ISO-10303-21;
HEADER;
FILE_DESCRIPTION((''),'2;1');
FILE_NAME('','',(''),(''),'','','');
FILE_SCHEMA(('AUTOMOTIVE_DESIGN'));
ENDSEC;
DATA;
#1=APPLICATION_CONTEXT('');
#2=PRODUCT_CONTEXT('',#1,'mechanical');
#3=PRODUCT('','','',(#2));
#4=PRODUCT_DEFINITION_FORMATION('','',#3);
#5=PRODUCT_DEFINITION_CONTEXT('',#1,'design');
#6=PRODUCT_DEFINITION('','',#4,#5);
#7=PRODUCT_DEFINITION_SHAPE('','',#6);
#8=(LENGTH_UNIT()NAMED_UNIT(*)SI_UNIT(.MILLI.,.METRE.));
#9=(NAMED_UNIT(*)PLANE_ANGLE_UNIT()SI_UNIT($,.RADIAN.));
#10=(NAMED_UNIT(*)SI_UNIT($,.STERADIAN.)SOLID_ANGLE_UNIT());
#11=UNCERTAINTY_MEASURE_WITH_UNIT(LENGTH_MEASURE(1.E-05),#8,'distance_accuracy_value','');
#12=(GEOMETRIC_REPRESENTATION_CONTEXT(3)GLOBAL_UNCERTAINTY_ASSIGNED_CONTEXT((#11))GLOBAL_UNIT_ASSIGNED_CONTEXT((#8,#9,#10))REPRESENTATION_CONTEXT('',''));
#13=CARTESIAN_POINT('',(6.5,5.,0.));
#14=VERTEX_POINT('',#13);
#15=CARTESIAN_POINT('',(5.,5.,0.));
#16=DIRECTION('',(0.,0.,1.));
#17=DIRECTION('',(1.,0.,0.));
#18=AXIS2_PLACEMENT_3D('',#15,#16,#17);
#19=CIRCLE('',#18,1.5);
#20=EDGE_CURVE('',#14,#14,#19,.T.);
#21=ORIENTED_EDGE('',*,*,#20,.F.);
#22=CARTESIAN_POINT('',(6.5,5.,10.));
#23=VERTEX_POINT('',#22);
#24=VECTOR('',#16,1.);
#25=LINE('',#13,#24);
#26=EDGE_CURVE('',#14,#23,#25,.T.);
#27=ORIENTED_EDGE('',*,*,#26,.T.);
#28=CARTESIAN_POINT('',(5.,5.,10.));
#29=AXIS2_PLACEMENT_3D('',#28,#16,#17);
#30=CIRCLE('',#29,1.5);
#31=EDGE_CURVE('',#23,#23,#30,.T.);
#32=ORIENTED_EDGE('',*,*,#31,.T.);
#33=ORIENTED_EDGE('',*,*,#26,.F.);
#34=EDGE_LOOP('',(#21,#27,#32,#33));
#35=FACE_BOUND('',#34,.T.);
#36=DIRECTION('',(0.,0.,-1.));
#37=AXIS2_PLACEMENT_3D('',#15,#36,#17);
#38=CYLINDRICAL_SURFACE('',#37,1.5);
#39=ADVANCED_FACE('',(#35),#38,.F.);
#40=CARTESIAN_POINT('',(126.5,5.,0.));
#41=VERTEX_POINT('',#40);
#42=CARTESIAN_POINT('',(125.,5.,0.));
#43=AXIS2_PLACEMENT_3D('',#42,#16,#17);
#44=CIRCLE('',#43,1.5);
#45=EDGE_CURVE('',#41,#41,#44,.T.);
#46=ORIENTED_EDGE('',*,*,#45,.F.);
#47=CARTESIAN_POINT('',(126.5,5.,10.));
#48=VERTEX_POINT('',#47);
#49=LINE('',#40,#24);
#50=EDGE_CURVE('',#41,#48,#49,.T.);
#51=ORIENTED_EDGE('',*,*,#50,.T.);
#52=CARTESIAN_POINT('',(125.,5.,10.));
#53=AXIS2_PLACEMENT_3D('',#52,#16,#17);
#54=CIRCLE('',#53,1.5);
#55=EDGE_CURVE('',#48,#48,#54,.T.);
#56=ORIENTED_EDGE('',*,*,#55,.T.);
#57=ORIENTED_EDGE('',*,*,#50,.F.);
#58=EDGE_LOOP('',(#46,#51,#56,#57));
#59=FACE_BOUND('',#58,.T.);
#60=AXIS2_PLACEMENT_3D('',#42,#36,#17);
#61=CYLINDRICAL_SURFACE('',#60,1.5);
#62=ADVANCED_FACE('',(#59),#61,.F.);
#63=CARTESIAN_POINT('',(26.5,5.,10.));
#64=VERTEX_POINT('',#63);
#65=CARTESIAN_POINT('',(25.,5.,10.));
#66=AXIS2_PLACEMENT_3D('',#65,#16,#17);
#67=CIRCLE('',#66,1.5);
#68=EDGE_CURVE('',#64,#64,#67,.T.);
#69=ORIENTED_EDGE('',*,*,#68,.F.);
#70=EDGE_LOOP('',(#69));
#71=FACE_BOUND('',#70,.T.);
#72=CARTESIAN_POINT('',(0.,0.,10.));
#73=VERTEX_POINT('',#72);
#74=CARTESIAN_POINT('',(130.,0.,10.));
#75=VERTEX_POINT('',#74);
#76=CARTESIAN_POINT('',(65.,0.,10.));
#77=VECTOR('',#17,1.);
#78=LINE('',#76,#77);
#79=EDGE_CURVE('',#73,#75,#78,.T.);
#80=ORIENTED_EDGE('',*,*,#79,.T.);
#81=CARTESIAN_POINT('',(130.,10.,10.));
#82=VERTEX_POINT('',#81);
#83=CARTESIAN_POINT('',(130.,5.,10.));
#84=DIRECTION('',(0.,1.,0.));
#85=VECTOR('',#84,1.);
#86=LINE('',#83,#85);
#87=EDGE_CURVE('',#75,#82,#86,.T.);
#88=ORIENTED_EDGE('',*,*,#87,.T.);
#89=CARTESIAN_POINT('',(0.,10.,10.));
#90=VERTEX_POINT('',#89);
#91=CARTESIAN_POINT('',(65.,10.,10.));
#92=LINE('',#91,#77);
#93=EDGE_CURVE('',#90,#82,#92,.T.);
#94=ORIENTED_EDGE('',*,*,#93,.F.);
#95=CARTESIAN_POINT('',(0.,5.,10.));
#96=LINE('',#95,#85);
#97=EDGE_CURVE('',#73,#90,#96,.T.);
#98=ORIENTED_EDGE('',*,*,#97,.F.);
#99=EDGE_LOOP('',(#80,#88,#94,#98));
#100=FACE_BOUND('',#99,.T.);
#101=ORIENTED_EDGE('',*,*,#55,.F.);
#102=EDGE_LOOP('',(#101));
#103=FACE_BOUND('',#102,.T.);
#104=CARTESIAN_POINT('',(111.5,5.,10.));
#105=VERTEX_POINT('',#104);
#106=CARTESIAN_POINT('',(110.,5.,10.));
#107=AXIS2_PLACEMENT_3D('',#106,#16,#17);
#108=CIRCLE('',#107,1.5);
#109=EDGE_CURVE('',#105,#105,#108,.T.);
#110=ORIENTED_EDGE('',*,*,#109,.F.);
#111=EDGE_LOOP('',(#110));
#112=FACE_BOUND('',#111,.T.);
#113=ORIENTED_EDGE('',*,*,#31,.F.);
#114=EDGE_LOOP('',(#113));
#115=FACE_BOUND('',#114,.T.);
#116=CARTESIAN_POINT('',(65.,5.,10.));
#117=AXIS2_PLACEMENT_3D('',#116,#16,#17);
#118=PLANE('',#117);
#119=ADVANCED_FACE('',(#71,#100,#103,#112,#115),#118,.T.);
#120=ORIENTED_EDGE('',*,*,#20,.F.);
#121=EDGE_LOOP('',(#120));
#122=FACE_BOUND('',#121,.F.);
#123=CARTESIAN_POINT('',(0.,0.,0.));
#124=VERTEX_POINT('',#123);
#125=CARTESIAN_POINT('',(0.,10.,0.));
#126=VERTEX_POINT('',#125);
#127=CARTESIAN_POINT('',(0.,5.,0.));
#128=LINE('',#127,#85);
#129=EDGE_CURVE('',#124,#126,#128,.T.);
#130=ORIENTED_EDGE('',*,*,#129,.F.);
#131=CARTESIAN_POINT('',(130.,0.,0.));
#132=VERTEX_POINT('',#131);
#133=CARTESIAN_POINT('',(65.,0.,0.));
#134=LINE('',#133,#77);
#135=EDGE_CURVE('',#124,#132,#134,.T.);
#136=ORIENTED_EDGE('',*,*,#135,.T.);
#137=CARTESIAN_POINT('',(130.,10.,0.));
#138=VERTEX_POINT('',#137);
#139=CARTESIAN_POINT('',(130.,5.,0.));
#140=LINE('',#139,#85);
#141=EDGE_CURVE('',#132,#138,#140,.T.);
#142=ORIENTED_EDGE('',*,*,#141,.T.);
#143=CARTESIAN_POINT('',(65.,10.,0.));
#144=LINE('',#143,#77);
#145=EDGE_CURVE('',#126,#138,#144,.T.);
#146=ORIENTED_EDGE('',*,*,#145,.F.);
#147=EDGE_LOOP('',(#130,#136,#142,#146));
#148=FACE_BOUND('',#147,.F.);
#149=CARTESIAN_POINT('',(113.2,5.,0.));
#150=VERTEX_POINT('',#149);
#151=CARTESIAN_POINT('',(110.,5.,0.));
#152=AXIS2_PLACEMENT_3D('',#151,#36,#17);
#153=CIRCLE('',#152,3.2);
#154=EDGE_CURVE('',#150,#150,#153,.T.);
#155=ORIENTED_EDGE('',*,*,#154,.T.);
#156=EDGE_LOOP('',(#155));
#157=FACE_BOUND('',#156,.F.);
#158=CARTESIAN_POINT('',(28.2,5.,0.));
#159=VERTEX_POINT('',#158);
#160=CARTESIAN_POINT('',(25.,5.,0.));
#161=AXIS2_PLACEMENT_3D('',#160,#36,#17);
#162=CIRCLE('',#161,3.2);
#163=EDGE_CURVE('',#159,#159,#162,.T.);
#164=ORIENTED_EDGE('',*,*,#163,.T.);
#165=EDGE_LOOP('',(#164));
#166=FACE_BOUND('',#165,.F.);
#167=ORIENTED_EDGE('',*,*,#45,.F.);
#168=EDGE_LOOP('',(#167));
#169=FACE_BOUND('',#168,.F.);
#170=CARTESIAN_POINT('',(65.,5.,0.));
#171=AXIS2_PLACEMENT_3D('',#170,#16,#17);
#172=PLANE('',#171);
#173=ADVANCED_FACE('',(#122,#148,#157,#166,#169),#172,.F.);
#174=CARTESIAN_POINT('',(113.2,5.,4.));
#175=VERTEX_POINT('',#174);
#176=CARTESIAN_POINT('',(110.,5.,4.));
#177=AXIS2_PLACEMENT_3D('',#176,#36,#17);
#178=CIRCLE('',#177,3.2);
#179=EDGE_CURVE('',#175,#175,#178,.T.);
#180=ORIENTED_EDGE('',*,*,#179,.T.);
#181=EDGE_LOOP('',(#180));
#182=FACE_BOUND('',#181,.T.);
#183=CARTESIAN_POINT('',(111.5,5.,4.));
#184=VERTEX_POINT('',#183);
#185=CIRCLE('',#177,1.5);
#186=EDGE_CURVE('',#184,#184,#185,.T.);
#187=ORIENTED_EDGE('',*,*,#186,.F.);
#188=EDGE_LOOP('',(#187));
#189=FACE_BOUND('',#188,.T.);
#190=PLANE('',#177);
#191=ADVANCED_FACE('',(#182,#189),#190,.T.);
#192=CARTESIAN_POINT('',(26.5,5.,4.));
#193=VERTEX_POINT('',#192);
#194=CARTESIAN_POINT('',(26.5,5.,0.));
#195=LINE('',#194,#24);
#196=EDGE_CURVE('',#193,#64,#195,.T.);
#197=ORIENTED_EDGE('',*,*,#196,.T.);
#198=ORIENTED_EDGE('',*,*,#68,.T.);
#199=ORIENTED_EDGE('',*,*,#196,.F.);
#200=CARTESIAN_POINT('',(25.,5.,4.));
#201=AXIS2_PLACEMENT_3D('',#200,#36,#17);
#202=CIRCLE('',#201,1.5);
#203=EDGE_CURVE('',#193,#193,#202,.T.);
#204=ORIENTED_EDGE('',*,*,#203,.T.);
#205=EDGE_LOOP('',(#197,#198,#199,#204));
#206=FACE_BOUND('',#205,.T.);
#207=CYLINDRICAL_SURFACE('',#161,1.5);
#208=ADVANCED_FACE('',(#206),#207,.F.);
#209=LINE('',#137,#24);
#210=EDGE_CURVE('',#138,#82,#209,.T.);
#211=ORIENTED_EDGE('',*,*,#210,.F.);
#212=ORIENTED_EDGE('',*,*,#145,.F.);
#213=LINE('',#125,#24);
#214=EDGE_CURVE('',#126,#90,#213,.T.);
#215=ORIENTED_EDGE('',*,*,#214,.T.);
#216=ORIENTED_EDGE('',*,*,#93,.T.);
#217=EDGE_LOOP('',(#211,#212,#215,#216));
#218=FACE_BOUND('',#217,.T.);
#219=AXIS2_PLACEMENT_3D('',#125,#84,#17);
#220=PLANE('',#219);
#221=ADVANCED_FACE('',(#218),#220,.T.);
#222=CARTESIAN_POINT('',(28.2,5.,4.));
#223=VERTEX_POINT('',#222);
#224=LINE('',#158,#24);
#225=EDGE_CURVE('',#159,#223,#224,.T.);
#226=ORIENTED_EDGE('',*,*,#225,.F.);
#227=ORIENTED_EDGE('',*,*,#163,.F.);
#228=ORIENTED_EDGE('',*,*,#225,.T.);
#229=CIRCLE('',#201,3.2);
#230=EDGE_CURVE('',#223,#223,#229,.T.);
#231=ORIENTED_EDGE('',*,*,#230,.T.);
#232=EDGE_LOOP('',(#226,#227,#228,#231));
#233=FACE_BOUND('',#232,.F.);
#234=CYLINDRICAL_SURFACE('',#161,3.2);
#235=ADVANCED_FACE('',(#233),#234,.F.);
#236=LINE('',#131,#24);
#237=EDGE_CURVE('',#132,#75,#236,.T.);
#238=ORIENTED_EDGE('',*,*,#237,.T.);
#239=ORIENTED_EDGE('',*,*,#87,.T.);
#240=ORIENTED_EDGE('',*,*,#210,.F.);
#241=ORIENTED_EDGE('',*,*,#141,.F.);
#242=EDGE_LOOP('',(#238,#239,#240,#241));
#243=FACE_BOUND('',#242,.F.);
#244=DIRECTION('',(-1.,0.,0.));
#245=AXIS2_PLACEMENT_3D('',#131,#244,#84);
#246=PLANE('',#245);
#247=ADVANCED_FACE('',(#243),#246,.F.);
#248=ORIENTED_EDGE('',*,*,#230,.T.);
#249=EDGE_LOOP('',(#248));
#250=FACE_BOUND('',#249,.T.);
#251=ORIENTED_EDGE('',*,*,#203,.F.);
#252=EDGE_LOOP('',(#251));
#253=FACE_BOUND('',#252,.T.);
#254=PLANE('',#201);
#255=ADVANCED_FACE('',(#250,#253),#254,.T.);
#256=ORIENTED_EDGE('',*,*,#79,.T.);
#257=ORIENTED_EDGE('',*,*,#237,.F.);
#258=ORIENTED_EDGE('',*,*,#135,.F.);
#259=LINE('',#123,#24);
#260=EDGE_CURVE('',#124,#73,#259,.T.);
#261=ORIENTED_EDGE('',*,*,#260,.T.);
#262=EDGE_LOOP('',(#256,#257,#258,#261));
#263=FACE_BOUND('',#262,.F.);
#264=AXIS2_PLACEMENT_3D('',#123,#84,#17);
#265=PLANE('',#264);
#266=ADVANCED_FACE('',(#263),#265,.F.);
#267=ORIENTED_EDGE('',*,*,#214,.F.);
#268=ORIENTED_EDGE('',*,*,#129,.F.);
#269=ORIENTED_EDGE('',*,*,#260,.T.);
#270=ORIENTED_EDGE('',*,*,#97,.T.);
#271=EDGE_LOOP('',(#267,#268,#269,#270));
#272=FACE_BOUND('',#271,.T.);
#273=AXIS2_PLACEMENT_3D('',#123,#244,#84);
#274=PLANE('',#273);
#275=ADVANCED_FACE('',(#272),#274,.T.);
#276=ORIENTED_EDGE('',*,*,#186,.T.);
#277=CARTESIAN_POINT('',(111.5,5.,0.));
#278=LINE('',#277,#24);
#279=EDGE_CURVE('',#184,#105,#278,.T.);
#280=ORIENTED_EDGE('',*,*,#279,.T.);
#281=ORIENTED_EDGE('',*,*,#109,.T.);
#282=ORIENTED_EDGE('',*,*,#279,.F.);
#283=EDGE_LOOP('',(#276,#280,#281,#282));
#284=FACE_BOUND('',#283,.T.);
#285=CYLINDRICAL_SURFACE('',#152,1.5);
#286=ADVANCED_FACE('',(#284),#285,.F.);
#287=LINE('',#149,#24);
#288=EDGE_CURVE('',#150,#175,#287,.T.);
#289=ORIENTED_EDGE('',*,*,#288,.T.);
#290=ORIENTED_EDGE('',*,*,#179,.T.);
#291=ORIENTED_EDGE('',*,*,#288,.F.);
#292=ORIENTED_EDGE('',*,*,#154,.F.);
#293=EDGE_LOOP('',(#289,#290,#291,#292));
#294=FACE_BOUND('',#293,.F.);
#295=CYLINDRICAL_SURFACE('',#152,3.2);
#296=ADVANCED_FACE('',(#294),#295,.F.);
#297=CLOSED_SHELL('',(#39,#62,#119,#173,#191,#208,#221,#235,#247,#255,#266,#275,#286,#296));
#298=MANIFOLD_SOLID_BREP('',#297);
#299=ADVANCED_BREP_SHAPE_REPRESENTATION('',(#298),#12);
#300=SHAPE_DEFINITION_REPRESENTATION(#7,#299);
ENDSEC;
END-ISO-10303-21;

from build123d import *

# Parameters (mm, degrees)
SKETCH_W     = 130
SKETCH_H     = 10
SKETCH_R     = 1.5
PAD_DEPTH    = 10
SKETCH001_R  = 3.2
POCKET_DEPTH = 4


with BuildPart() as part:
    # Sketch → Pad (new body)
    with BuildSketch(Plane.XY):
        with Locations((65, 5)):
            Rectangle(SKETCH_W, SKETCH_H)
        with Locations((5, 5)):
            Circle(SKETCH_R, mode=Mode.SUBTRACT)
        with Locations((25, 5)):
            Circle(SKETCH_R, mode=Mode.SUBTRACT)
        with Locations((125, 5)):
            Circle(SKETCH_R, mode=Mode.SUBTRACT)
        with Locations((110, 5)):
            Circle(SKETCH_R, mode=Mode.SUBTRACT)
    extrude(amount=PAD_DEPTH)

    # Sketch001 (on Face9 of Pad) → Pocket (cut)
    with BuildSketch(Plane(origin=(0, 0, 0), x_dir=(1, 0, 0), z_dir=(0, 0, -1))):
        with Locations((25, -5)):
            Circle(SKETCH001_R)
        with Locations((110, -5)):
            Circle(SKETCH001_R)
    extrude(amount=-POCKET_DEPTH, mode=Mode.SUBTRACT)


solid = part.part
